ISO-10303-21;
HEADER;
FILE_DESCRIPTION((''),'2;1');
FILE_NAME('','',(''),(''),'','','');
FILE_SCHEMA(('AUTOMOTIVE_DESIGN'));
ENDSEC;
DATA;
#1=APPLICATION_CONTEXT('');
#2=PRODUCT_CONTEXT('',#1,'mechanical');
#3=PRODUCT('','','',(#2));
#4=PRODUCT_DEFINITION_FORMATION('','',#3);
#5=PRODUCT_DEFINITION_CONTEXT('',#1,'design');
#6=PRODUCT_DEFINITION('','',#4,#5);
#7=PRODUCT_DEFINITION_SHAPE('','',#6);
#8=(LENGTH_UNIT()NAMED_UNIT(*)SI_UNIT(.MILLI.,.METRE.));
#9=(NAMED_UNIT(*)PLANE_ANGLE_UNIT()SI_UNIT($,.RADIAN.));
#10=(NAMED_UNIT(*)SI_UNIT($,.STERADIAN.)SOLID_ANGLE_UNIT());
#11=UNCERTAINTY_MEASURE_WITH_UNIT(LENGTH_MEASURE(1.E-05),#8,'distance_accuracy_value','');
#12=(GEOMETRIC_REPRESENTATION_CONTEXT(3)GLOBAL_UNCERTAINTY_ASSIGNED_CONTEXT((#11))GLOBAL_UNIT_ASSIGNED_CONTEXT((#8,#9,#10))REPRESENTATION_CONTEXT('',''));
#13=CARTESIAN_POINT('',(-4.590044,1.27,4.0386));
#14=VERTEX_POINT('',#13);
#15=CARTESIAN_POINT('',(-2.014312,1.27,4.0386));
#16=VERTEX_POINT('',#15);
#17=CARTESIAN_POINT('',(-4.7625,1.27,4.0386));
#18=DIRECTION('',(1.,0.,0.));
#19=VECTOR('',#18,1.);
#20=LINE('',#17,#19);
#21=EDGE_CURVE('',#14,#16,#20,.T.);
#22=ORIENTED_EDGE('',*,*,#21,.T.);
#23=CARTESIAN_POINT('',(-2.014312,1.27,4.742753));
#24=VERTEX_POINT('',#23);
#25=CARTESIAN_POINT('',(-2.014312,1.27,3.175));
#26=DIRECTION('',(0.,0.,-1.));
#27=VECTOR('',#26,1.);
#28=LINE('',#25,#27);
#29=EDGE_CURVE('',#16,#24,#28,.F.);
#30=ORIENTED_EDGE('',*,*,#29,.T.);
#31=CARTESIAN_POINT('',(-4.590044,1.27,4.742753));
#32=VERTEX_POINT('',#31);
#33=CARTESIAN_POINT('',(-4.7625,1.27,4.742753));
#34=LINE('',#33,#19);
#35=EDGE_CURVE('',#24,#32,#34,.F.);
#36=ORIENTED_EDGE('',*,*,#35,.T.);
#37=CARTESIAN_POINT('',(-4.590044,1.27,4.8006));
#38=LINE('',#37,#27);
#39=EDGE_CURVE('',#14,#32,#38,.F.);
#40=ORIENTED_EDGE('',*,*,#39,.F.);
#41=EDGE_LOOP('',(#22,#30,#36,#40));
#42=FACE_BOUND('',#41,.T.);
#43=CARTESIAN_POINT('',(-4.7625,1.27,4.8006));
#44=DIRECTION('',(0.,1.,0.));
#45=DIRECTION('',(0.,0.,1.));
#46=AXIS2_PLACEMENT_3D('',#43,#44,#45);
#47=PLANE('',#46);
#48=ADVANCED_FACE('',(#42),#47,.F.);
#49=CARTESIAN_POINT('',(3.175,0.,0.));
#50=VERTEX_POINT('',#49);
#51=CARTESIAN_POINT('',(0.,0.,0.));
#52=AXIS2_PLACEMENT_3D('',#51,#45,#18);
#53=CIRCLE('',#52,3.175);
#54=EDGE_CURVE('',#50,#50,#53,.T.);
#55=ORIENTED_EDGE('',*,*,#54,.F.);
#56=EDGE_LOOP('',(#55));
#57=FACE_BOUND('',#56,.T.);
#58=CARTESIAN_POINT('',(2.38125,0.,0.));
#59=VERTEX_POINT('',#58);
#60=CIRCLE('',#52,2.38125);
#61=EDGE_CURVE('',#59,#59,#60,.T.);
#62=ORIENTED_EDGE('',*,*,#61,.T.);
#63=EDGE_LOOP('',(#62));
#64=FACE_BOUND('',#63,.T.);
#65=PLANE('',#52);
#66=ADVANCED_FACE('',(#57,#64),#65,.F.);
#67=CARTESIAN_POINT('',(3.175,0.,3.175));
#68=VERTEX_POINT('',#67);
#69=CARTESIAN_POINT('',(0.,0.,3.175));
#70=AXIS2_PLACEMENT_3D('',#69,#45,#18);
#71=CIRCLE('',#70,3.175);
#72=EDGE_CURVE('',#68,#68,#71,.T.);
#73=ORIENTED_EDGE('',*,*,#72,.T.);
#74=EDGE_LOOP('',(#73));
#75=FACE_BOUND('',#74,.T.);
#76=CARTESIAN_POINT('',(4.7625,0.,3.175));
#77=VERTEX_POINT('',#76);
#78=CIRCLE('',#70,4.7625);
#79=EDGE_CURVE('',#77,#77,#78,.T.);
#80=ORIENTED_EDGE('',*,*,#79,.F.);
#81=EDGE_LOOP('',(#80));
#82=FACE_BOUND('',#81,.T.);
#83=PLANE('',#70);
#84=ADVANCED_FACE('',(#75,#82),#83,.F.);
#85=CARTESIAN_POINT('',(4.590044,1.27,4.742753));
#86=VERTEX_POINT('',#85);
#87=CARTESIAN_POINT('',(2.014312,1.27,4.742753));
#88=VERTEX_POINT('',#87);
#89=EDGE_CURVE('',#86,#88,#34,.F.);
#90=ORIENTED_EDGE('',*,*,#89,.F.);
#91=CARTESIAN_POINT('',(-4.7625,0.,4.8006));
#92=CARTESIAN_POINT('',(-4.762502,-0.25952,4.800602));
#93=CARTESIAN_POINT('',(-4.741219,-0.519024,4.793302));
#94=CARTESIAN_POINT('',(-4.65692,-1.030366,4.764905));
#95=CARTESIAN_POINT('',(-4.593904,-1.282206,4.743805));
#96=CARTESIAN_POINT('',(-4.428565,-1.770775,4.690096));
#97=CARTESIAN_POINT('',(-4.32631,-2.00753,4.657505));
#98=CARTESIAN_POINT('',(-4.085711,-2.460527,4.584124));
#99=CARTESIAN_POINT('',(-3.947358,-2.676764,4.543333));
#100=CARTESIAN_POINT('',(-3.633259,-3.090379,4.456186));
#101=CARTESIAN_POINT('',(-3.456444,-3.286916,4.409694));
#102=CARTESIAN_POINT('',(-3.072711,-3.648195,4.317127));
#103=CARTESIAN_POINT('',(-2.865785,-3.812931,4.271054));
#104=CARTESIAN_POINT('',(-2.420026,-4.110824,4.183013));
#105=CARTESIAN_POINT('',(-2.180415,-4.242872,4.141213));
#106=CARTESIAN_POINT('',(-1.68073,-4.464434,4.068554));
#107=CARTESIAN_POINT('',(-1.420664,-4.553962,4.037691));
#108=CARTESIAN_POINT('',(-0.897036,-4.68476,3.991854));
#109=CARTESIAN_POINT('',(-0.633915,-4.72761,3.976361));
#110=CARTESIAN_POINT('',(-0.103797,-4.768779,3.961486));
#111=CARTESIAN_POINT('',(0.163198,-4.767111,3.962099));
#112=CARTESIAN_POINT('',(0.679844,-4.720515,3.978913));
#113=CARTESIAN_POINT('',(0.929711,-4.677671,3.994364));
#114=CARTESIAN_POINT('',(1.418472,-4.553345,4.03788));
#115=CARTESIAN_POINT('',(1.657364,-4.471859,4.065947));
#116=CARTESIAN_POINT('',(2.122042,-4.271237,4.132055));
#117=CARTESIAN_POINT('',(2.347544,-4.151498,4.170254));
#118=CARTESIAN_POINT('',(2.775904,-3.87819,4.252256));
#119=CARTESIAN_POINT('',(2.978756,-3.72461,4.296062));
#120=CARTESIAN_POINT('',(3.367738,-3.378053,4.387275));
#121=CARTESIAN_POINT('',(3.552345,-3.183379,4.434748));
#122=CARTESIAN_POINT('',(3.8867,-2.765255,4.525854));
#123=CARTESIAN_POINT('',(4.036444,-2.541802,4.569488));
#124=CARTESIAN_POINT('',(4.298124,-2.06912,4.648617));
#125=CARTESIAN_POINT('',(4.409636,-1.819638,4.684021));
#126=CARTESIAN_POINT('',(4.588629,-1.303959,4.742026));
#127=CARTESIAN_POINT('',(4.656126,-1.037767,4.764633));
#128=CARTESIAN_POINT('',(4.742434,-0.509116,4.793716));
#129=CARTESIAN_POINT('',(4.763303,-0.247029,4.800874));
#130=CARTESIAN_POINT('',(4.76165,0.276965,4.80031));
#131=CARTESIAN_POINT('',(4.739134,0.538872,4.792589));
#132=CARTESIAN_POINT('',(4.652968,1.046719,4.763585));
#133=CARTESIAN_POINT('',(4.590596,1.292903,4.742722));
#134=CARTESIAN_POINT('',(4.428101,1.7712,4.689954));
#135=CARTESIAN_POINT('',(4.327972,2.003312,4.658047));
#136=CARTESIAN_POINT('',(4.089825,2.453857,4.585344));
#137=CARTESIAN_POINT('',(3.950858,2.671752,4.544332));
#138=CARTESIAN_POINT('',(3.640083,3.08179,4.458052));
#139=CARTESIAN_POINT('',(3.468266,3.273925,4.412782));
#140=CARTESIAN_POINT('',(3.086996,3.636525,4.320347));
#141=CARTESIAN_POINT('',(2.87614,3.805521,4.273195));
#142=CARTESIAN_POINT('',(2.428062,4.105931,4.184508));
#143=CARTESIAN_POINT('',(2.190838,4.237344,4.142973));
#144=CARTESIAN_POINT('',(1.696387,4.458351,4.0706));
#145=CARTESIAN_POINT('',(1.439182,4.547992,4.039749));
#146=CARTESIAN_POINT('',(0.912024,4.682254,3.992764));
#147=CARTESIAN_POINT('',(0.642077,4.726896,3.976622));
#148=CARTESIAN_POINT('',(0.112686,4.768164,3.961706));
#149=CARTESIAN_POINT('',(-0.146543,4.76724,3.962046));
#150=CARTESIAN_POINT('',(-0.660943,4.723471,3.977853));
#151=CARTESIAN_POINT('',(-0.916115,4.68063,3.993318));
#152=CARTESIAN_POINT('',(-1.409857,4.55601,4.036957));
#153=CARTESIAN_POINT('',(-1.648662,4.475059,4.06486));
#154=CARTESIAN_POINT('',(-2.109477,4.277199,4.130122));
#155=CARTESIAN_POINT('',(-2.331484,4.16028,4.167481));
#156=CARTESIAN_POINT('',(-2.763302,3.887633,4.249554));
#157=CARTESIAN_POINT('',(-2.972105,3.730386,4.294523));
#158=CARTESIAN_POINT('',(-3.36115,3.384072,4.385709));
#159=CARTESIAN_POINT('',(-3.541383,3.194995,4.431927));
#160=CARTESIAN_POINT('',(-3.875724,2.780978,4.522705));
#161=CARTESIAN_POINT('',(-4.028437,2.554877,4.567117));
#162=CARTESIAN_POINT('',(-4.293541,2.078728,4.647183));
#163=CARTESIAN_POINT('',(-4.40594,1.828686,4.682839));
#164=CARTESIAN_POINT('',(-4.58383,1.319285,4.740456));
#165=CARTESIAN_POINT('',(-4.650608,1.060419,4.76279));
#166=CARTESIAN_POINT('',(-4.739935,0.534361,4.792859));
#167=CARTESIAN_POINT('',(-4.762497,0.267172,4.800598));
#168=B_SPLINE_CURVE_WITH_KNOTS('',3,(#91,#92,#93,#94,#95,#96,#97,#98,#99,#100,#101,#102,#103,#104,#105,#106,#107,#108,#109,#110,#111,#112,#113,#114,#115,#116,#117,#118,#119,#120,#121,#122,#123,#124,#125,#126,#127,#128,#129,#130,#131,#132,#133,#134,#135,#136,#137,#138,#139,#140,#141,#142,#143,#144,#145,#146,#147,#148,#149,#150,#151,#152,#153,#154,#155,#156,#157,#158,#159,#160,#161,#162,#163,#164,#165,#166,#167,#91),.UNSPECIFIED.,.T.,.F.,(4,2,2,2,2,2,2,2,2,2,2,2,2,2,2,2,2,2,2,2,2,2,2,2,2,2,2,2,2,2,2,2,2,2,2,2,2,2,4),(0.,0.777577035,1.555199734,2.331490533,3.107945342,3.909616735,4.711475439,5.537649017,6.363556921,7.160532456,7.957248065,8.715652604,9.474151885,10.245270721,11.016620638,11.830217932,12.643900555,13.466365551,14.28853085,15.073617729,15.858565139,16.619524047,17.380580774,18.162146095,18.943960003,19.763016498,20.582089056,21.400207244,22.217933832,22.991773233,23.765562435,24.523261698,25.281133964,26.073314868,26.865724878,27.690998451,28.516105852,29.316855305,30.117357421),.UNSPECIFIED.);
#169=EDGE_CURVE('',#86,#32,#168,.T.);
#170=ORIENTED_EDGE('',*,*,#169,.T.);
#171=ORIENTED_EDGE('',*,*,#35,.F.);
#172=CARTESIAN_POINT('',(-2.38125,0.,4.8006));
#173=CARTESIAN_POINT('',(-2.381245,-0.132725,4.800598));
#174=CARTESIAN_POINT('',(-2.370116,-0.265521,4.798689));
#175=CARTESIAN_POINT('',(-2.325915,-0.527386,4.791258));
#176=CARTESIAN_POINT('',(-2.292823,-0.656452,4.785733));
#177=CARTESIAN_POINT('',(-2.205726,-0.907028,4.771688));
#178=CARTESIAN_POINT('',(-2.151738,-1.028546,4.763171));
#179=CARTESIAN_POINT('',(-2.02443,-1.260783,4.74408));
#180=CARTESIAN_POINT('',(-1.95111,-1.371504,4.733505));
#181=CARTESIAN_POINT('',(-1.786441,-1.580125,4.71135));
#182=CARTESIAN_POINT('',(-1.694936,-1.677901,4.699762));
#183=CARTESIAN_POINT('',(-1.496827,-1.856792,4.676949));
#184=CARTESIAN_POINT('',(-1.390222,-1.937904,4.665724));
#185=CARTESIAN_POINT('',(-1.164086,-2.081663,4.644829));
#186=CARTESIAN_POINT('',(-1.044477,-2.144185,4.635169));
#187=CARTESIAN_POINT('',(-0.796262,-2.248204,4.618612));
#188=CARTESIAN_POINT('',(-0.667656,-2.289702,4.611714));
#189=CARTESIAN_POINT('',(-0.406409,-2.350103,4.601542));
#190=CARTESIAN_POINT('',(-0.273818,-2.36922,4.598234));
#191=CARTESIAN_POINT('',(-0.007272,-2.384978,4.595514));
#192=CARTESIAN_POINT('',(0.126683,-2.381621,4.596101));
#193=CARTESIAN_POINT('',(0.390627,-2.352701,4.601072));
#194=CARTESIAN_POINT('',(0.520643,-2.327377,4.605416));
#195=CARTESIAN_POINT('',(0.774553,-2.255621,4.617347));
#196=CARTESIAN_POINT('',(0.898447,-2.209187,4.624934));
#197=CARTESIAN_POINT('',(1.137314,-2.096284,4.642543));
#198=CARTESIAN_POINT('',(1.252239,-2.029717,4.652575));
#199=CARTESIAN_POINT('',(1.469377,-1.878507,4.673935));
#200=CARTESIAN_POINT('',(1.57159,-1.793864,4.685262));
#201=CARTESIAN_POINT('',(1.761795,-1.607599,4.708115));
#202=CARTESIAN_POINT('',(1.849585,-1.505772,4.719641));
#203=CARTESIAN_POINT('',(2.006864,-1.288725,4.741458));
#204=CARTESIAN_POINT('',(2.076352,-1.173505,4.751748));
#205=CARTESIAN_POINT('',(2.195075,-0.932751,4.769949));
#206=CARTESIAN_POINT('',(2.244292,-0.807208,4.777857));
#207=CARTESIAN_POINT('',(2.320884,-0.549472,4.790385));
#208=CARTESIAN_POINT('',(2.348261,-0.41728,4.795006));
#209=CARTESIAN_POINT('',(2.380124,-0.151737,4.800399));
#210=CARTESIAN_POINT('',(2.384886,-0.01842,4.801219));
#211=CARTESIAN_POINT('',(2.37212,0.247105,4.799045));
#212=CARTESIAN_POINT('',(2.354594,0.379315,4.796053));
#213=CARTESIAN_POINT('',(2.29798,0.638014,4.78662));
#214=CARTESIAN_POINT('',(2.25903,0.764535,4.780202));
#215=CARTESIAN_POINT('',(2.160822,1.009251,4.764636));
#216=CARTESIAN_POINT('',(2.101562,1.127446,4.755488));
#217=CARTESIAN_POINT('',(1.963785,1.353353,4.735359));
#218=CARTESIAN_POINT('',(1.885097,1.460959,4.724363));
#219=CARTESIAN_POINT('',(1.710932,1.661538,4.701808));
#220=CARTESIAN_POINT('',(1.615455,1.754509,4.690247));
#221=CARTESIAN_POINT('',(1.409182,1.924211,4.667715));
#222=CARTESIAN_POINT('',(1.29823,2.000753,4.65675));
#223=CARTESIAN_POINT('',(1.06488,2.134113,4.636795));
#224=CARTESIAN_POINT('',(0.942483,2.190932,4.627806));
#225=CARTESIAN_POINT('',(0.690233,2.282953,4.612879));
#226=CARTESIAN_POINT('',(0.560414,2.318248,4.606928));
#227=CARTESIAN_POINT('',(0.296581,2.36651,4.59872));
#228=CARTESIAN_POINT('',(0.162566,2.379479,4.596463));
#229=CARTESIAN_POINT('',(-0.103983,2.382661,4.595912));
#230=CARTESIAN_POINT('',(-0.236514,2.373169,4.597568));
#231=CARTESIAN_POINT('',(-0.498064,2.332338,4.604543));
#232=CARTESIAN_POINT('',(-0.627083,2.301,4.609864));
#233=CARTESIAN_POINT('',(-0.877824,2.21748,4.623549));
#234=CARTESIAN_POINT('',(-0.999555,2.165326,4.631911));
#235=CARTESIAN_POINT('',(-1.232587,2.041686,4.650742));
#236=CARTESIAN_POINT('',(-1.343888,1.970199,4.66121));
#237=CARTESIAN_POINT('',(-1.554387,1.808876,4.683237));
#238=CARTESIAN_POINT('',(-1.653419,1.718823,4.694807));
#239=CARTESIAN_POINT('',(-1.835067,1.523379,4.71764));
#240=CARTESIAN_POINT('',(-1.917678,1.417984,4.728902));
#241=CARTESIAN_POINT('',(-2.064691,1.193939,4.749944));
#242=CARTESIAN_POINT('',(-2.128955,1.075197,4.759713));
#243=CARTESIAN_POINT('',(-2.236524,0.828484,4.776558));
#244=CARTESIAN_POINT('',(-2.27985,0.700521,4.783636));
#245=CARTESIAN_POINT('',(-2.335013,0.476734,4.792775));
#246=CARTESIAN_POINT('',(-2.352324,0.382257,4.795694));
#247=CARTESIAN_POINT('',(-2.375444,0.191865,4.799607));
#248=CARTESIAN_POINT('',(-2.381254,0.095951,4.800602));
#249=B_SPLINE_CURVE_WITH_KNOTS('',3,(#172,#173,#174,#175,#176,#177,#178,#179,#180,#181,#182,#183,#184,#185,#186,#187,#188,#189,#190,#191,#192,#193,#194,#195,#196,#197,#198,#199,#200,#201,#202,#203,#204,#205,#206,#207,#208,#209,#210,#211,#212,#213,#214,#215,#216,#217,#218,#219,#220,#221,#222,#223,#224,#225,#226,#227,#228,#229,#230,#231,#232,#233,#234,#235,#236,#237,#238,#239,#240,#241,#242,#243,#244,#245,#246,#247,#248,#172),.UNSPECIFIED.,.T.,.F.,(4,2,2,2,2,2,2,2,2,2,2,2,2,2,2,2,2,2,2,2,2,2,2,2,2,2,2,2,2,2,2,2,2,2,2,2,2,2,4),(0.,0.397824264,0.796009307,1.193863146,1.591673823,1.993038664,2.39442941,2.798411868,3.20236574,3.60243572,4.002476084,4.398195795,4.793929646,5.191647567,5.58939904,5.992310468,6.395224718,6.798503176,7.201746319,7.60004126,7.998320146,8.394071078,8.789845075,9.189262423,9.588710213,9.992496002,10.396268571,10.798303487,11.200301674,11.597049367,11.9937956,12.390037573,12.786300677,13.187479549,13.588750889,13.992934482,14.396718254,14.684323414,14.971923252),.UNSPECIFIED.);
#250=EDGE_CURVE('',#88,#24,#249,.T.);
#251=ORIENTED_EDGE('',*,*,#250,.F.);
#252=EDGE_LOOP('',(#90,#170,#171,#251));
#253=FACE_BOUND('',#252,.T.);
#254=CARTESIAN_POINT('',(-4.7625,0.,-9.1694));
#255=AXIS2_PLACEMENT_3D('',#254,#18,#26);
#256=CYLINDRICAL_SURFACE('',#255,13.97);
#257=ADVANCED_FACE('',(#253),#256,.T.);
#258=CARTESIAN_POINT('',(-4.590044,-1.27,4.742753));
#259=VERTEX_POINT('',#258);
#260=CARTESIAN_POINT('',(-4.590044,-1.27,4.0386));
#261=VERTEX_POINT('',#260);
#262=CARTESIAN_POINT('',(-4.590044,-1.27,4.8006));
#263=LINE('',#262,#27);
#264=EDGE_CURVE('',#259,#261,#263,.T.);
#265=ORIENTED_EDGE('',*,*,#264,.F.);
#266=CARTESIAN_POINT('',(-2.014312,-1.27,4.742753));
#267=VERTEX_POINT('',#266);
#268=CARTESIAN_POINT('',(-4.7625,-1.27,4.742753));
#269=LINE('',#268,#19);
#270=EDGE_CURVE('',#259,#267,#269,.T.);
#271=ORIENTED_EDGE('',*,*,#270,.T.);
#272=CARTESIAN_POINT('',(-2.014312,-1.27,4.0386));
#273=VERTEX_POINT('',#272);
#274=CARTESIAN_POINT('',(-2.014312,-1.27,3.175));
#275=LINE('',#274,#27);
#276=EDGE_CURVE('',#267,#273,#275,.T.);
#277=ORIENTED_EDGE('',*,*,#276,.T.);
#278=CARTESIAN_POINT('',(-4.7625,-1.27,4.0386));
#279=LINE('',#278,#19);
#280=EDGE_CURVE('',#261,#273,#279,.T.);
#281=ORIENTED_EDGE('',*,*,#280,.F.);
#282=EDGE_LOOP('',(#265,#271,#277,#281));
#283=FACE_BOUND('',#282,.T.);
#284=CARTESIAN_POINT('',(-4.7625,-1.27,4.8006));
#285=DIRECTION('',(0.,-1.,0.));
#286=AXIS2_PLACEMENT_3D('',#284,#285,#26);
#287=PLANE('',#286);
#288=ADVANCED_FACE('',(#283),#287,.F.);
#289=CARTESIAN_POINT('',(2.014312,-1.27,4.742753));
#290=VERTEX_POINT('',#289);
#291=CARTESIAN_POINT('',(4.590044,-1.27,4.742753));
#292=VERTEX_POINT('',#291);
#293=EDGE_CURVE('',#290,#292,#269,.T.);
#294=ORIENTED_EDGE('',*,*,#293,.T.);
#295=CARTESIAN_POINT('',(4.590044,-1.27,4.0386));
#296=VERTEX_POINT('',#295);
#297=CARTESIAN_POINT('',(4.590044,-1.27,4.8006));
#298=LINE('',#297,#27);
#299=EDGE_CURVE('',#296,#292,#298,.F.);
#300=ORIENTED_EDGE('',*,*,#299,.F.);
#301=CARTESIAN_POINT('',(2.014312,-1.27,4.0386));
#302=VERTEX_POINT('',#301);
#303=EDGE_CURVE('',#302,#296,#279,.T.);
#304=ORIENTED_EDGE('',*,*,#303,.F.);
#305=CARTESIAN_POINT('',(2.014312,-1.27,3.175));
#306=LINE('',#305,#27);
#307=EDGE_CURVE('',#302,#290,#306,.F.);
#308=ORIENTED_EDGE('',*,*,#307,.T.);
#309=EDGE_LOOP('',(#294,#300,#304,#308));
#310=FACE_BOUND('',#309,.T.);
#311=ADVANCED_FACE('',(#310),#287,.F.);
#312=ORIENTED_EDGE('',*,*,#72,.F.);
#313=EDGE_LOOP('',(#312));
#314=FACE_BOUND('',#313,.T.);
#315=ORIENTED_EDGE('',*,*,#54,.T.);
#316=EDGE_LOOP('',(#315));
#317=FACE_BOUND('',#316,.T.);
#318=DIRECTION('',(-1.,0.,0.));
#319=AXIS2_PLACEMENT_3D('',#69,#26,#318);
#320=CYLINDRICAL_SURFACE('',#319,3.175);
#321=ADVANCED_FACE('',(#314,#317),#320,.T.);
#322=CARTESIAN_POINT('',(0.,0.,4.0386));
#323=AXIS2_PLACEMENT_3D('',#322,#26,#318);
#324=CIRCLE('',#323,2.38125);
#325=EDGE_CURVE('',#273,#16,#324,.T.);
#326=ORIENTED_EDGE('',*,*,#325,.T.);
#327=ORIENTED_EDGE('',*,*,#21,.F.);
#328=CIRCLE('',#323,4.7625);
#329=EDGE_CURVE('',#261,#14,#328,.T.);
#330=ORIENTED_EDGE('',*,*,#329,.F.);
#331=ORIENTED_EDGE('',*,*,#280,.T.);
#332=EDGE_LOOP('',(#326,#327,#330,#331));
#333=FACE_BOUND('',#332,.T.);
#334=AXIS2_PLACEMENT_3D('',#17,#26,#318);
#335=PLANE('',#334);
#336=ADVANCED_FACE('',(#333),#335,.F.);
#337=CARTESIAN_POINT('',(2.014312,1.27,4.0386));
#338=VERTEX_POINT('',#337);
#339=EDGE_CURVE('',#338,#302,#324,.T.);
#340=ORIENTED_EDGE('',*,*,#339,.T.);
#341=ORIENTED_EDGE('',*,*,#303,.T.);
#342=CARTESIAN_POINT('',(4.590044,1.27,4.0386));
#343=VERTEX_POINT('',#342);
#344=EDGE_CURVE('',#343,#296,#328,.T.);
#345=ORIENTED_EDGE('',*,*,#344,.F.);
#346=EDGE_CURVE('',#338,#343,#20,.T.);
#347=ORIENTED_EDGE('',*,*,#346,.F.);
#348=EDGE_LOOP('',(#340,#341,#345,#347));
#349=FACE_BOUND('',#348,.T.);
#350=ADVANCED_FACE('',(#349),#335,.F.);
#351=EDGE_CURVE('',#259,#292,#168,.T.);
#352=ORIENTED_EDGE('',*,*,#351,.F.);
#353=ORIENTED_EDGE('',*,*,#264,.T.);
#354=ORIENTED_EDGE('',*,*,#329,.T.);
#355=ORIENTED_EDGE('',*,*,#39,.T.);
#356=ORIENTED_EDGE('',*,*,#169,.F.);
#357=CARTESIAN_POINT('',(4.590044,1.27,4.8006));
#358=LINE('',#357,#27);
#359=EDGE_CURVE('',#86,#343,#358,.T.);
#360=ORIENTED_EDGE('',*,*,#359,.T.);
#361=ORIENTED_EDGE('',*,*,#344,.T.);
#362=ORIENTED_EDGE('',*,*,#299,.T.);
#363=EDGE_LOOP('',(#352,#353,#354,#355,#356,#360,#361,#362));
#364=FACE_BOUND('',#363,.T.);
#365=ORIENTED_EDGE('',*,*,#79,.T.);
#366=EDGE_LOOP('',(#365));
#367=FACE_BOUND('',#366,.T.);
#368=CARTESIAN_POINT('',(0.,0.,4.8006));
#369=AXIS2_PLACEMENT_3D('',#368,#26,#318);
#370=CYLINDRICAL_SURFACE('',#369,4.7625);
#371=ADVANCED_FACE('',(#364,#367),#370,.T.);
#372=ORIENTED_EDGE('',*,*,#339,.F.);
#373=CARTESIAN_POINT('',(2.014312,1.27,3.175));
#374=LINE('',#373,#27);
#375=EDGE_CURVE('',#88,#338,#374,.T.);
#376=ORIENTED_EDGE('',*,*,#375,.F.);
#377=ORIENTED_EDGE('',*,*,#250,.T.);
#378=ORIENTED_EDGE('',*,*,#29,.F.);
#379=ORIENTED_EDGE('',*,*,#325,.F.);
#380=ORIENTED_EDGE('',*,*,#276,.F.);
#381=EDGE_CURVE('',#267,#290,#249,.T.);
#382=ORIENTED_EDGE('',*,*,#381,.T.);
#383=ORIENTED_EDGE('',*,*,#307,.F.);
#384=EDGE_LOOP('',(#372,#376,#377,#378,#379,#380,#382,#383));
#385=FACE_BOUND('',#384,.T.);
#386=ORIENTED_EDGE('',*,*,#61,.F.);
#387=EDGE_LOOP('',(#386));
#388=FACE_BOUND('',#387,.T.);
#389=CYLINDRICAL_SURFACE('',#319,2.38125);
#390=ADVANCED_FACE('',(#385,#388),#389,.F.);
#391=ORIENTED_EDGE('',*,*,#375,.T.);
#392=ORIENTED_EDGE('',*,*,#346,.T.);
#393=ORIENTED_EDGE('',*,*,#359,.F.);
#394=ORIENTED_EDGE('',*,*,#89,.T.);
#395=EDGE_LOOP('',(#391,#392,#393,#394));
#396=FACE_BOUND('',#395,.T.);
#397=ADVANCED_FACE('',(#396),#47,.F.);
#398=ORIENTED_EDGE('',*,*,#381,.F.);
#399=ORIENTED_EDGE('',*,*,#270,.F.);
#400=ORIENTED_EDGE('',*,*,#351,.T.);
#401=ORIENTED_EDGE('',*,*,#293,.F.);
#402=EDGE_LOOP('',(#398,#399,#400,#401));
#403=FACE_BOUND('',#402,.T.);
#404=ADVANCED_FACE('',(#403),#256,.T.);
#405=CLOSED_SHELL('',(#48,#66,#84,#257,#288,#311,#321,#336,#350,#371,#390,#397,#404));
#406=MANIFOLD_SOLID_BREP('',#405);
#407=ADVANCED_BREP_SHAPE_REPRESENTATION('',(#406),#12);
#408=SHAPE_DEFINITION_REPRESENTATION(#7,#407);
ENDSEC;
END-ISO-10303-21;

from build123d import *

# Parameters (mm, degrees)
SKETCH1_R               = 3.175
SKETCH1_R_2             = 2.38125
BOSS_EXTRUDE1_DEPTH     = 3.175
SKETCH2_R               = 4.7625
SKETCH2_R_2             = 2.38125
BOSS_EXTRUDE2_DEPTH     = 1.6256
SKETCH3_R               = 22.361166229
SKETCH3_R_2             = 13.97
CUT_EXTRUDE1_DEPTH      = 5.7625
CUT_EXTRUDE1_DEPTH_BACK = 5.7625
SKETCH4_W               = 0.762
SKETCH4_H               = 2.54
CUT_EXTRUDE2_DEPTH      = 5.7625001
CUT_EXTRUDE2_DEPTH_BACK = 5.7625001


with BuildPart() as part:
    # Sketch1 → Boss-Extrude1 (new body)
    with BuildSketch(Plane.XY):
        Circle(SKETCH1_R)
        Circle(SKETCH1_R_2, mode=Mode.SUBTRACT)
    extrude(amount=BOSS_EXTRUDE1_DEPTH)

    # Sketch2 → Boss-Extrude2 (add)
    with BuildSketch(Plane.XY.offset(3.175)):
        Circle(SKETCH2_R)
        Circle(SKETCH2_R_2, mode=Mode.SUBTRACT)
    extrude(amount=BOSS_EXTRUDE2_DEPTH)

    # Sketch3 → Cut-Extrude1 (cut, two sides)
    with BuildSketch(Plane(origin=(0, 0, 0), x_dir=(0, 0, -1), z_dir=(1, 0, 0))) as cut_extrude1_sk:
        with Locations((9.1694, 0)):
            Circle(SKETCH3_R)
        with Locations((9.1694, 0)):
            Circle(SKETCH3_R_2, mode=Mode.SUBTRACT)
    extrude(amount=CUT_EXTRUDE1_DEPTH, mode=Mode.SUBTRACT)
    extrude(cut_extrude1_sk.sketch, amount=-CUT_EXTRUDE1_DEPTH_BACK, mode=Mode.SUBTRACT)

    # Sketch4 → Cut-Extrude2 (cut, two sides)
    with BuildSketch(Plane(origin=(0, 0, 0), x_dir=(0, 0, -1), z_dir=(1, 0, 0))) as cut_extrude2_sk:
        with Locations((-4.4196, 0)):
            Rectangle(SKETCH4_W, SKETCH4_H)
    extrude(amount=CUT_EXTRUDE2_DEPTH, mode=Mode.SUBTRACT)
    extrude(cut_extrude2_sk.sketch, amount=-CUT_EXTRUDE2_DEPTH_BACK, mode=Mode.SUBTRACT)


solid = part.part
